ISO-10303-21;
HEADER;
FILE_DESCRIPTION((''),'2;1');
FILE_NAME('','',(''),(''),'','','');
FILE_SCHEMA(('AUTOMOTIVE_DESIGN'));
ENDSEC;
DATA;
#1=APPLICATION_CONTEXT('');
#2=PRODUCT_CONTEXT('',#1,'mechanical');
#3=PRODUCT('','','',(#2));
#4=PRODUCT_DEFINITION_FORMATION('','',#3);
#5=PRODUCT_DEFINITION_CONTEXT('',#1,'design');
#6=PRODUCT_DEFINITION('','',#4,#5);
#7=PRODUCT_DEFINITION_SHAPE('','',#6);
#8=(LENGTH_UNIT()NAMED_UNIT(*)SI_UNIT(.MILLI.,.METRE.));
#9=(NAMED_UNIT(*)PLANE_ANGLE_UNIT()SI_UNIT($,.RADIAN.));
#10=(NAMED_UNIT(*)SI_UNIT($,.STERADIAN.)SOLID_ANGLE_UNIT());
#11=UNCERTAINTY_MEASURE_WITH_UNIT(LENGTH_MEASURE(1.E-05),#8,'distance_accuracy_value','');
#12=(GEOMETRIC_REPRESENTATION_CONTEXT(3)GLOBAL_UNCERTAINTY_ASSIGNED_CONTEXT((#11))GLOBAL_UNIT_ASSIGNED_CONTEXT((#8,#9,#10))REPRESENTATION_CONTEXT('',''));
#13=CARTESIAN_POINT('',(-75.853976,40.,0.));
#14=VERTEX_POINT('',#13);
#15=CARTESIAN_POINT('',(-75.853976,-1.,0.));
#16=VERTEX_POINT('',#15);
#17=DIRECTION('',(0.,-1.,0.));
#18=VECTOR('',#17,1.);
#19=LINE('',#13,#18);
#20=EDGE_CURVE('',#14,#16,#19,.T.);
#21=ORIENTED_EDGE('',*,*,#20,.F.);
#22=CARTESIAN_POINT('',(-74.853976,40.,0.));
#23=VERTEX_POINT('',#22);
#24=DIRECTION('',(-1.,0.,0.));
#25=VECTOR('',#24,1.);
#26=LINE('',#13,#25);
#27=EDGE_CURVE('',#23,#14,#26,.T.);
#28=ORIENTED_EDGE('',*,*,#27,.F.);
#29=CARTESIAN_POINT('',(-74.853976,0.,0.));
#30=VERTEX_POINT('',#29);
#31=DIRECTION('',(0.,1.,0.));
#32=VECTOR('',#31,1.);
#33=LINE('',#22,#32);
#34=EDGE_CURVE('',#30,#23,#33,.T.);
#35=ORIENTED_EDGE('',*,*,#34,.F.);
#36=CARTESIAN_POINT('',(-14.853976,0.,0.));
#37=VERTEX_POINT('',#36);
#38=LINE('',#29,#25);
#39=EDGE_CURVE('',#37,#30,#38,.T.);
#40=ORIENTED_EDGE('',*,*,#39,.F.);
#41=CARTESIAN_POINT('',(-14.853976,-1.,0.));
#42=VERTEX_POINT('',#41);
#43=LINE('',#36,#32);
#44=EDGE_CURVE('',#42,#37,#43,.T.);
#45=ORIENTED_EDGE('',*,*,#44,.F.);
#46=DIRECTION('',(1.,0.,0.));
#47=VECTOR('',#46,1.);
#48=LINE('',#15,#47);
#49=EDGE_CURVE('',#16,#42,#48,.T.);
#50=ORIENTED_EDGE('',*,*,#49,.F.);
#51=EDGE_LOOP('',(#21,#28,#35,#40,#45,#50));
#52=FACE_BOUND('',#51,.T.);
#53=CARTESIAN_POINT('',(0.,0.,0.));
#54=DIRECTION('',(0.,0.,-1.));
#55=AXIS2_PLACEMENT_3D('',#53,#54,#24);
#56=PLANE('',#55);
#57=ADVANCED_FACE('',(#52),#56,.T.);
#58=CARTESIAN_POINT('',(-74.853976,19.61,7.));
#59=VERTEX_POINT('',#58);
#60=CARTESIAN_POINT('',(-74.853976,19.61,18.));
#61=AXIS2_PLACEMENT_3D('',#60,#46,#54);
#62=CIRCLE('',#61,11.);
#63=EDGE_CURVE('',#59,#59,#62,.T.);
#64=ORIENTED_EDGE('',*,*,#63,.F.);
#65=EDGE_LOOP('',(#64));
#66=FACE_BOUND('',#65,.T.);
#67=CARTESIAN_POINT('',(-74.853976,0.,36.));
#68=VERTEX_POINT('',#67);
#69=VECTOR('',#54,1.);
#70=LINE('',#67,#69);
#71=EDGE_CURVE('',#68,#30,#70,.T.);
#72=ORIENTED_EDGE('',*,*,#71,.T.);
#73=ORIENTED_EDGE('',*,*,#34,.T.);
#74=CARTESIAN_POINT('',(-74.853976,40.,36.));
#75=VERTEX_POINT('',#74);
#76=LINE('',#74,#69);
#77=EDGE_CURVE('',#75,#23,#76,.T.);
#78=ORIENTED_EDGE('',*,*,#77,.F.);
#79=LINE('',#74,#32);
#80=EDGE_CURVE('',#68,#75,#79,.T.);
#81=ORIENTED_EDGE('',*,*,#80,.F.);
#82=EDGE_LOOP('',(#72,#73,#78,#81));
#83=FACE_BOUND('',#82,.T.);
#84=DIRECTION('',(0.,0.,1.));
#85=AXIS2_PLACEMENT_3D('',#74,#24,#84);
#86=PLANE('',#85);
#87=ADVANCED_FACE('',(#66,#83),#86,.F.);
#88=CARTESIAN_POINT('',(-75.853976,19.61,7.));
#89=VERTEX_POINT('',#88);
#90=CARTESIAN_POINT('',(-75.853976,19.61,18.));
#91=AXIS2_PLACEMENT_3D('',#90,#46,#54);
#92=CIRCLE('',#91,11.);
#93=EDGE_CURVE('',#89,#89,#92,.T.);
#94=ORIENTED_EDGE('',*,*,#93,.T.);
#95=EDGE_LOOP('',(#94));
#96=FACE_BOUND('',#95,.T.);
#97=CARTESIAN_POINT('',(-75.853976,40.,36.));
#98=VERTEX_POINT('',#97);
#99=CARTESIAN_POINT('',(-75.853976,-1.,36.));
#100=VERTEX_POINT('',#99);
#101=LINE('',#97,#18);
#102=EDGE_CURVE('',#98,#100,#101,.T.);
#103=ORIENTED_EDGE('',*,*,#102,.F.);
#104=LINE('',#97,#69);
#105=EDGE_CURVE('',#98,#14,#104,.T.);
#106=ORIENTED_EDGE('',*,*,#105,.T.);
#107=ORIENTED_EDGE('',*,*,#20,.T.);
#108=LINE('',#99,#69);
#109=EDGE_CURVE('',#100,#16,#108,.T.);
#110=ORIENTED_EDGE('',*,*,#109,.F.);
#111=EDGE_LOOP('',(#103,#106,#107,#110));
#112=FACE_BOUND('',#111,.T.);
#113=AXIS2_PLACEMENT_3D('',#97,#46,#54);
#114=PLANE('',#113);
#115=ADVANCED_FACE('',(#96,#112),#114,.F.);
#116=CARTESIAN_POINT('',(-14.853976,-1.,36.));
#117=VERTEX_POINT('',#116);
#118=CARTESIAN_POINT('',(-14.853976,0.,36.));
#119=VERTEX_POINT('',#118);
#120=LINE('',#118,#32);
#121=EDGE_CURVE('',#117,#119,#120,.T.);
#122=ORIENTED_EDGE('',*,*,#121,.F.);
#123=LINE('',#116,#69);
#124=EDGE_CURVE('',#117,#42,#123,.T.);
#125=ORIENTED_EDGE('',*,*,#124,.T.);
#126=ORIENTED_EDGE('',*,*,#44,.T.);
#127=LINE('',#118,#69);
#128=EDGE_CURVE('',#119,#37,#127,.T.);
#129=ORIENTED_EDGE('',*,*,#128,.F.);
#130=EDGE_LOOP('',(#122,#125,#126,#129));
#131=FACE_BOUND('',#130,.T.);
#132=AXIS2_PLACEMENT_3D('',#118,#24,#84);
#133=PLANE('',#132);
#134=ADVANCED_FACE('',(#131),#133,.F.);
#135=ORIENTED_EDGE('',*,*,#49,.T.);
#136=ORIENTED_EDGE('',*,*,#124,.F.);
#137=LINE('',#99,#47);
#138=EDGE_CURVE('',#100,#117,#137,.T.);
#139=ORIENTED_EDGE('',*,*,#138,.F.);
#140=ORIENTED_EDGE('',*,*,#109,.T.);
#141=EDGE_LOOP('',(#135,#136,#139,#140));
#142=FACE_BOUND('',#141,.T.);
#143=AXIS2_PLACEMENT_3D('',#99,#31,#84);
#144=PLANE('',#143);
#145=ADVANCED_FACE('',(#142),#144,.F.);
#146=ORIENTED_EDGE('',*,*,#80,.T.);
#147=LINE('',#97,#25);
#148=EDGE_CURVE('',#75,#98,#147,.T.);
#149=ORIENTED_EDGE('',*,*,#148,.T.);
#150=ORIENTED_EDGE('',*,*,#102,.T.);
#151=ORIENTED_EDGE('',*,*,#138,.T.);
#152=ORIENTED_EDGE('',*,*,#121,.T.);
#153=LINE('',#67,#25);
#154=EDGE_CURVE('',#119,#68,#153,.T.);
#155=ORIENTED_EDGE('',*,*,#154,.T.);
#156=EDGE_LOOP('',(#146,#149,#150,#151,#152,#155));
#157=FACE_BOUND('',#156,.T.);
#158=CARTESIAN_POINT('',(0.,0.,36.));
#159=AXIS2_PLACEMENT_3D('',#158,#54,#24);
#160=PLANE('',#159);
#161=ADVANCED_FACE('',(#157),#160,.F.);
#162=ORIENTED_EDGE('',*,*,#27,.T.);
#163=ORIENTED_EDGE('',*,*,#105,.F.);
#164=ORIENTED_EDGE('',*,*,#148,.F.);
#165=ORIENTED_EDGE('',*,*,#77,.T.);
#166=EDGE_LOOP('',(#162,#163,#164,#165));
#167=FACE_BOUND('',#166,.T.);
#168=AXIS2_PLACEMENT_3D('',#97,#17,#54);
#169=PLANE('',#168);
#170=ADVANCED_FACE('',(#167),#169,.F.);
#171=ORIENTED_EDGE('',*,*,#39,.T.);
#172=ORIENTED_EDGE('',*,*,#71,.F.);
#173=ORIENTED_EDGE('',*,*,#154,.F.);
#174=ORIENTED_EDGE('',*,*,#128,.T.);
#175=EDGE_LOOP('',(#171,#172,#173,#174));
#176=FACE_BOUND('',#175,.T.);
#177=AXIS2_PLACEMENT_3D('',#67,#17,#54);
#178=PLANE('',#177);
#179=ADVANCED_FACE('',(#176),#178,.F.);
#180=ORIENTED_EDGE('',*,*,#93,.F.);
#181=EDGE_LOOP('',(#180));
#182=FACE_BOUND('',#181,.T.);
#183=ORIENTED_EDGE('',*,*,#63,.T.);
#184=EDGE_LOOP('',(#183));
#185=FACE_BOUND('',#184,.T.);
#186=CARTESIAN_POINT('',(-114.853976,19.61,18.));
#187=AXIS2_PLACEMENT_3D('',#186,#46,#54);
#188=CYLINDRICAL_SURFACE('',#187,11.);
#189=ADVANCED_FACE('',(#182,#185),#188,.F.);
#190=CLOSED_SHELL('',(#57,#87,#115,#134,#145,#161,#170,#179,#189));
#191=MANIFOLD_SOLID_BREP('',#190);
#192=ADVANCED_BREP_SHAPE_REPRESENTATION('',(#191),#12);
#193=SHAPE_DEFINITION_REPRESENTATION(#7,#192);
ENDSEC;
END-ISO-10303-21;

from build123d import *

# Parameters (mm, degrees)
BOSS_EXTRUDE1_DEPTH = 36
SKETCH2_R           = 11
CUT_EXTRUDE1_DEPTH  = 40


with BuildPart() as part:
    # Sketch1 → Boss-Extrude1 (new body)
    with BuildSketch(Plane.XY):
        Polygon((-74.853976105, 40), (-74.853976105, 0), (-14.853976105, 0), (-14.853976105, -1), (-75.853976105, -1), (-75.853976105, 40), align=None)
    extrude(amount=BOSS_EXTRUDE1_DEPTH)

    # Sketch2 → Cut-Extrude1 (cut)
    with BuildSketch(Plane(origin=(-74.853976105, 0, 0), x_dir=(0, 0, -1), z_dir=(1, 0, 0))):
        with Locations((-18, 19.61)):
            Circle(SKETCH2_R)
    extrude(amount=-CUT_EXTRUDE1_DEPTH, mode=Mode.SUBTRACT)


solid = part.part
